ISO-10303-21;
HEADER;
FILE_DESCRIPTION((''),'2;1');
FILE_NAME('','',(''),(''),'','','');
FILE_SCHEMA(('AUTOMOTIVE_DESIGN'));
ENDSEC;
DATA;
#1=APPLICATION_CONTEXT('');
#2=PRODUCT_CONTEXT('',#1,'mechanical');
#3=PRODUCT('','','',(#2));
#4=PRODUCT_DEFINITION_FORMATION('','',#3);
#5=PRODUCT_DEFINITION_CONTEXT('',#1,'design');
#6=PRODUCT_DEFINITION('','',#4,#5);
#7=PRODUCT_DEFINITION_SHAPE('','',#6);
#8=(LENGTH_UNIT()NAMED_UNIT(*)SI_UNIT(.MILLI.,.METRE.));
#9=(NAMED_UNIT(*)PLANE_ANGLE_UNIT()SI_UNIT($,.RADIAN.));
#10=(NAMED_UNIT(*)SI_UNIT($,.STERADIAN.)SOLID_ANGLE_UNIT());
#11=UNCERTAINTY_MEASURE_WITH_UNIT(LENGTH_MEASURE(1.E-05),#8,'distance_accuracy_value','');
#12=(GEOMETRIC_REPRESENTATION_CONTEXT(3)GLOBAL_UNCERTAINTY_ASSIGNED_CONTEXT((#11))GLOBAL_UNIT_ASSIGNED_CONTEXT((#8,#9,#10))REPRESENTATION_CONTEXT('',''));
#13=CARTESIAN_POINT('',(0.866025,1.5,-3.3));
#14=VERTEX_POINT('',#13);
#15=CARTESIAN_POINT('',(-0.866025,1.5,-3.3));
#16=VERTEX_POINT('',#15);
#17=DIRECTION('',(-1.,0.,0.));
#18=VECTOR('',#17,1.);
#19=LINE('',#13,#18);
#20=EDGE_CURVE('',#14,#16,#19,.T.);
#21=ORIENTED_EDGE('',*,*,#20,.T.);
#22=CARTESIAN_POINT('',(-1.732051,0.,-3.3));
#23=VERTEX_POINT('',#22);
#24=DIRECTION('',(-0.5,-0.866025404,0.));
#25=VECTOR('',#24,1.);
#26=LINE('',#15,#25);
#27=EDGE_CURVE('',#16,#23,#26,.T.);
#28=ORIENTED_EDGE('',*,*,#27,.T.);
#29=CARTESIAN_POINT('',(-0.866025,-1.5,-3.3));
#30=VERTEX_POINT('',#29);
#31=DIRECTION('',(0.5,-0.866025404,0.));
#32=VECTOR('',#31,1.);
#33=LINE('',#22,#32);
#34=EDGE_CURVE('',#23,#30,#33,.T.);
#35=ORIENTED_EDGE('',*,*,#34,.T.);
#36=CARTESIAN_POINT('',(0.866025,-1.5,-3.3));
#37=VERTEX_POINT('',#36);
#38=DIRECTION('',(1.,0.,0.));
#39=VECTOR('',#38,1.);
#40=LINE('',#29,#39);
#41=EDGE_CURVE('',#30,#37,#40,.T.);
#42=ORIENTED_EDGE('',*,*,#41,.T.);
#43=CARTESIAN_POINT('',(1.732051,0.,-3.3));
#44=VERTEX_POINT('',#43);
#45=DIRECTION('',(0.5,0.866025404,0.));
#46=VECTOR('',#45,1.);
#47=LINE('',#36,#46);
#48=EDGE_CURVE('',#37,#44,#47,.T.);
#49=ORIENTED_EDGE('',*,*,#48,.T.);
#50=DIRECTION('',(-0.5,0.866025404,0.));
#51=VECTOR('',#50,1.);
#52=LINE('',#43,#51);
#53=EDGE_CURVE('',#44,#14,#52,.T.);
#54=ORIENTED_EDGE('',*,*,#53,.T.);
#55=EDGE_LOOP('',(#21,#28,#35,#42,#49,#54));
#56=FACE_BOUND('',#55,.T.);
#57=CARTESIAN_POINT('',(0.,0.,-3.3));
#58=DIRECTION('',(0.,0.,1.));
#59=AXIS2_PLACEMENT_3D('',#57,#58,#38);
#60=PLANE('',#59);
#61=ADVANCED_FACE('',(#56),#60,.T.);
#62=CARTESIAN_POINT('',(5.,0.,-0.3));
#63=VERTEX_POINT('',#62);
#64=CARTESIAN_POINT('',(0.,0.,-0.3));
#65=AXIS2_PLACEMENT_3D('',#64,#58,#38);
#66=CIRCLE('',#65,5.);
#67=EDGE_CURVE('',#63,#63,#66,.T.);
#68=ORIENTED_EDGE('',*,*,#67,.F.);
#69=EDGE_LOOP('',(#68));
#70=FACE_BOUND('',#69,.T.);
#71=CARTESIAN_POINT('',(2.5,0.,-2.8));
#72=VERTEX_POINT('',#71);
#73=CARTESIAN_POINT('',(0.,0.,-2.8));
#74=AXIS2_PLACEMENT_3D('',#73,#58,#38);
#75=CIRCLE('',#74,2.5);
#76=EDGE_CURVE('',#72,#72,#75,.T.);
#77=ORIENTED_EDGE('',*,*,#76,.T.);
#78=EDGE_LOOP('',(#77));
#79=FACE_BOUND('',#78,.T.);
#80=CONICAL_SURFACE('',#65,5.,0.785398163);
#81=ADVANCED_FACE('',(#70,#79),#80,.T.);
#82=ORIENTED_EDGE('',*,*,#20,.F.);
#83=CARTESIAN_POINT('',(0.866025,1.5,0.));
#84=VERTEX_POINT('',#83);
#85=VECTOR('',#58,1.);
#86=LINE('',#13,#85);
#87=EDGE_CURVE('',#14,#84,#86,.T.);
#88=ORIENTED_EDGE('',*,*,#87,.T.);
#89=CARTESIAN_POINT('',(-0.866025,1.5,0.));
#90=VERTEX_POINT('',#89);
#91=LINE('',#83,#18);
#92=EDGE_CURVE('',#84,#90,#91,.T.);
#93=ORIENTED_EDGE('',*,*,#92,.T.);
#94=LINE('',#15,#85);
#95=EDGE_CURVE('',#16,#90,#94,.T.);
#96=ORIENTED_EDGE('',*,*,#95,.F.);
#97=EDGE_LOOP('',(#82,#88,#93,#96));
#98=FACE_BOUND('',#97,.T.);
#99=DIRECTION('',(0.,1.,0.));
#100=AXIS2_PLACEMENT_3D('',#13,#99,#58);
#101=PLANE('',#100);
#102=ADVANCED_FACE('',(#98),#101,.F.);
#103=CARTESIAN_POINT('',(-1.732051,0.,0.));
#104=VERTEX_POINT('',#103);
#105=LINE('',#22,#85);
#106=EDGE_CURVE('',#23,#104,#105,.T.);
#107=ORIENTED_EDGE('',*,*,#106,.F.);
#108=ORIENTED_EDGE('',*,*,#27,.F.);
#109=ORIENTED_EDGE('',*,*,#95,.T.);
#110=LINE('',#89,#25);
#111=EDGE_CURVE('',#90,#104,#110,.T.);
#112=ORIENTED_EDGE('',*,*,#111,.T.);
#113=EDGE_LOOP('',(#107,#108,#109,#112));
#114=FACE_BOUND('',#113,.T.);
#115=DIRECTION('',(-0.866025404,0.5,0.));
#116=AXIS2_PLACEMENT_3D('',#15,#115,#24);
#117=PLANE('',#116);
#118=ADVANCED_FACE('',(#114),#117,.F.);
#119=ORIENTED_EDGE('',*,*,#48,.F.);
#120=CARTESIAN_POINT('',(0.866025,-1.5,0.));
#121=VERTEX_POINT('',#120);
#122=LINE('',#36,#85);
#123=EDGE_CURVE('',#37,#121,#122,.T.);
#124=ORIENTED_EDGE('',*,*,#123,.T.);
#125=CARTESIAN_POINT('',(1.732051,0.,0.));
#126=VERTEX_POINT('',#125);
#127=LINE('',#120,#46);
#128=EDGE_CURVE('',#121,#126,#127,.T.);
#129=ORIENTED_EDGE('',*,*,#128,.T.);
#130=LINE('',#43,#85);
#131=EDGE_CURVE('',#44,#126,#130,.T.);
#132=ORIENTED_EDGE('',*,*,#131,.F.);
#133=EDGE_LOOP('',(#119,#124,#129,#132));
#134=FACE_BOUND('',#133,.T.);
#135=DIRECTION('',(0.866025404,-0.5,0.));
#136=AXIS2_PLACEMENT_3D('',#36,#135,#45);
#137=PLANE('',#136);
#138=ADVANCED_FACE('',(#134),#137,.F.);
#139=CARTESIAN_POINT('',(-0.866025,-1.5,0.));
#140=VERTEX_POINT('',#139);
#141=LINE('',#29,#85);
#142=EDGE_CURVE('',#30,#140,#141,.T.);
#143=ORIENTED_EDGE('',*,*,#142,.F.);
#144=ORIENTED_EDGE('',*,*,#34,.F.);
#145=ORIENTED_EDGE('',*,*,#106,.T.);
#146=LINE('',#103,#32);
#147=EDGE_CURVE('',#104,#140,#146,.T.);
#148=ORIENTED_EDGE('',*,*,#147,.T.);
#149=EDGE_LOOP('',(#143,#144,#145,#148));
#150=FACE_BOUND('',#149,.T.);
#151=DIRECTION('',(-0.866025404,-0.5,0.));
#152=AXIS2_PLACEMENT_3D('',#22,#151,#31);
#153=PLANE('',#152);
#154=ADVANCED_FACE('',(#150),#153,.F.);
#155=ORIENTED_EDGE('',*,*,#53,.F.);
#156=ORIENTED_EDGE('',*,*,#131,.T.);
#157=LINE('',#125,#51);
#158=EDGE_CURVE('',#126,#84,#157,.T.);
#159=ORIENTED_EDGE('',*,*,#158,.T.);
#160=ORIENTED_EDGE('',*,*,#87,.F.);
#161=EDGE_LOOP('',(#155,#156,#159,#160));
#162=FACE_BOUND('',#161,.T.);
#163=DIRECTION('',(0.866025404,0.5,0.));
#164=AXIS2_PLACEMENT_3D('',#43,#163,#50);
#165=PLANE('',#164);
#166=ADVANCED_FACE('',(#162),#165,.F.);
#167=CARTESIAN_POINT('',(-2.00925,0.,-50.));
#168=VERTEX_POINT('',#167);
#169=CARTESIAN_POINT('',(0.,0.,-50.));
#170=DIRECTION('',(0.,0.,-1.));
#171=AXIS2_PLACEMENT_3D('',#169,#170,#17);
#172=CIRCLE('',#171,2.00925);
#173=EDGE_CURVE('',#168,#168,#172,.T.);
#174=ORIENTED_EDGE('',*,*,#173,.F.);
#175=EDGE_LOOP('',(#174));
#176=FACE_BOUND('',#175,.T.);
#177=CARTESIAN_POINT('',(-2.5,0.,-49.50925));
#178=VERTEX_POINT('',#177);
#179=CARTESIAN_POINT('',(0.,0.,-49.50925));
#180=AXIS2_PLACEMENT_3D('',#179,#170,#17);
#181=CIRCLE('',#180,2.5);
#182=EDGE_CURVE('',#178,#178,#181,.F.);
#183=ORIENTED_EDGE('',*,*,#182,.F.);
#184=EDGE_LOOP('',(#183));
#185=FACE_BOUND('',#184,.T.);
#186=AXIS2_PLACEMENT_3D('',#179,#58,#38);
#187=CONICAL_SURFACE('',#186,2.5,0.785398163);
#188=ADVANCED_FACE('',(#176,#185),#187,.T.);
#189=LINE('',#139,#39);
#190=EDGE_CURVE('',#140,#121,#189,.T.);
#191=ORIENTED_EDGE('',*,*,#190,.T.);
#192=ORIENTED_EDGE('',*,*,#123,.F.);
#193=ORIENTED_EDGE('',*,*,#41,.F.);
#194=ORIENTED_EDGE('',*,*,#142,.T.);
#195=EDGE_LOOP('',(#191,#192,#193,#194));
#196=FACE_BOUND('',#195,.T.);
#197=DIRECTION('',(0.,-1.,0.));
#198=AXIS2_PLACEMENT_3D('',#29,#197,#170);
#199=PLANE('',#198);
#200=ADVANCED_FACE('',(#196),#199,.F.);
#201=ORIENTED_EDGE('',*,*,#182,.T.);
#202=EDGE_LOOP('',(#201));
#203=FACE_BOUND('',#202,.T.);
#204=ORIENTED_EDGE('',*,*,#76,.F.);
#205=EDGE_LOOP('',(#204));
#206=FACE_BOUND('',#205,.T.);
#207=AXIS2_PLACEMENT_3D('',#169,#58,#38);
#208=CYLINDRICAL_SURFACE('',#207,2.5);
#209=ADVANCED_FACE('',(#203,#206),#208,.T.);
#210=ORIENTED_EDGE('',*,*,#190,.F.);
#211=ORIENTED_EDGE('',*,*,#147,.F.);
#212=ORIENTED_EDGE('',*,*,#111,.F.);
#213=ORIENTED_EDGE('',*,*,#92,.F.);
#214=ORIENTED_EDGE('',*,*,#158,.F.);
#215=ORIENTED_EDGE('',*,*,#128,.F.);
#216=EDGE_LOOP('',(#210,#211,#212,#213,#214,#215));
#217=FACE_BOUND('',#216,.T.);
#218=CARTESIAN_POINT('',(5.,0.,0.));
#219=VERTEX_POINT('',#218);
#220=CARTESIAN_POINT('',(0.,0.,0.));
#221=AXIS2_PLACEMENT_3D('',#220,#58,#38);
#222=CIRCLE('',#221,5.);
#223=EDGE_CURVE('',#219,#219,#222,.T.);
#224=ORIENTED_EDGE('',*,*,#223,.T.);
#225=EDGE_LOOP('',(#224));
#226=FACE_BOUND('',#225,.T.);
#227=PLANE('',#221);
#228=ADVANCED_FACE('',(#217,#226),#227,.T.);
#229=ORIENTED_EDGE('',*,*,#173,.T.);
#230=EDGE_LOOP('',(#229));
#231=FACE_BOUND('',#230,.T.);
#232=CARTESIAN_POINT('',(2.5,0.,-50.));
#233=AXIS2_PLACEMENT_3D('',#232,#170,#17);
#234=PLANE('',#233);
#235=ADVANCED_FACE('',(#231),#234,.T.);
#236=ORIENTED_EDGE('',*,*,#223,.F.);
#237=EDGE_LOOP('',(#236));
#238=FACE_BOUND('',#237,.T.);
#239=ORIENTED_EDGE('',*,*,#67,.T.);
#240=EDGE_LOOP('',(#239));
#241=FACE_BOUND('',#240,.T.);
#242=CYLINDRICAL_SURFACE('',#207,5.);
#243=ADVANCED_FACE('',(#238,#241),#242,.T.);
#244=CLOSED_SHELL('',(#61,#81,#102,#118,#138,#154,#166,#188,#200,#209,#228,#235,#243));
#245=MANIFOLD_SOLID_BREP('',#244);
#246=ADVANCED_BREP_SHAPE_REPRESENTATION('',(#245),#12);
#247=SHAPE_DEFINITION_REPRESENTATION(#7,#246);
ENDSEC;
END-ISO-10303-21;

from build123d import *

# Parameters (mm, degrees)
CUT_EXTRUDE1_DEPTH = 3.3
CHAMFER1_SIZE      = 0.49075


with BuildPart() as part:
    # Sketch1 → Revolve1 (revolve)
    with BuildSketch(Plane(origin=(0, 0, 0), x_dir=(1, 0, 0), z_dir=(0, 1, 0))):
        Polygon((2.5, 50), (0, 50), (0, 0), (5, 0), (5, 0.3), (2.5, 2.8), align=None)
    revolve(axis=Axis((0, 0, -50), (0, 0, 1)))

    # Sketch2 → Cut-Extrude1 (cut)
    with BuildSketch(Plane.XY):
        Polygon((-0.866025404, -1.5), (0.866025404, -1.5), (1.732050808, 0), (0.866025404, 1.5), (-0.866025404, 1.5), (-1.732050808, 0), align=None)
    extrude(amount=-CUT_EXTRUDE1_DEPTH, mode=Mode.SUBTRACT)

    # Chamfer1
    chamfer1_edges = [part.edges().sort_by_distance(p)[0] for p in [
        (-2.5, 0, -50),
    ]]
    chamfer(chamfer1_edges, length=CHAMFER1_SIZE)


solid = part.part
